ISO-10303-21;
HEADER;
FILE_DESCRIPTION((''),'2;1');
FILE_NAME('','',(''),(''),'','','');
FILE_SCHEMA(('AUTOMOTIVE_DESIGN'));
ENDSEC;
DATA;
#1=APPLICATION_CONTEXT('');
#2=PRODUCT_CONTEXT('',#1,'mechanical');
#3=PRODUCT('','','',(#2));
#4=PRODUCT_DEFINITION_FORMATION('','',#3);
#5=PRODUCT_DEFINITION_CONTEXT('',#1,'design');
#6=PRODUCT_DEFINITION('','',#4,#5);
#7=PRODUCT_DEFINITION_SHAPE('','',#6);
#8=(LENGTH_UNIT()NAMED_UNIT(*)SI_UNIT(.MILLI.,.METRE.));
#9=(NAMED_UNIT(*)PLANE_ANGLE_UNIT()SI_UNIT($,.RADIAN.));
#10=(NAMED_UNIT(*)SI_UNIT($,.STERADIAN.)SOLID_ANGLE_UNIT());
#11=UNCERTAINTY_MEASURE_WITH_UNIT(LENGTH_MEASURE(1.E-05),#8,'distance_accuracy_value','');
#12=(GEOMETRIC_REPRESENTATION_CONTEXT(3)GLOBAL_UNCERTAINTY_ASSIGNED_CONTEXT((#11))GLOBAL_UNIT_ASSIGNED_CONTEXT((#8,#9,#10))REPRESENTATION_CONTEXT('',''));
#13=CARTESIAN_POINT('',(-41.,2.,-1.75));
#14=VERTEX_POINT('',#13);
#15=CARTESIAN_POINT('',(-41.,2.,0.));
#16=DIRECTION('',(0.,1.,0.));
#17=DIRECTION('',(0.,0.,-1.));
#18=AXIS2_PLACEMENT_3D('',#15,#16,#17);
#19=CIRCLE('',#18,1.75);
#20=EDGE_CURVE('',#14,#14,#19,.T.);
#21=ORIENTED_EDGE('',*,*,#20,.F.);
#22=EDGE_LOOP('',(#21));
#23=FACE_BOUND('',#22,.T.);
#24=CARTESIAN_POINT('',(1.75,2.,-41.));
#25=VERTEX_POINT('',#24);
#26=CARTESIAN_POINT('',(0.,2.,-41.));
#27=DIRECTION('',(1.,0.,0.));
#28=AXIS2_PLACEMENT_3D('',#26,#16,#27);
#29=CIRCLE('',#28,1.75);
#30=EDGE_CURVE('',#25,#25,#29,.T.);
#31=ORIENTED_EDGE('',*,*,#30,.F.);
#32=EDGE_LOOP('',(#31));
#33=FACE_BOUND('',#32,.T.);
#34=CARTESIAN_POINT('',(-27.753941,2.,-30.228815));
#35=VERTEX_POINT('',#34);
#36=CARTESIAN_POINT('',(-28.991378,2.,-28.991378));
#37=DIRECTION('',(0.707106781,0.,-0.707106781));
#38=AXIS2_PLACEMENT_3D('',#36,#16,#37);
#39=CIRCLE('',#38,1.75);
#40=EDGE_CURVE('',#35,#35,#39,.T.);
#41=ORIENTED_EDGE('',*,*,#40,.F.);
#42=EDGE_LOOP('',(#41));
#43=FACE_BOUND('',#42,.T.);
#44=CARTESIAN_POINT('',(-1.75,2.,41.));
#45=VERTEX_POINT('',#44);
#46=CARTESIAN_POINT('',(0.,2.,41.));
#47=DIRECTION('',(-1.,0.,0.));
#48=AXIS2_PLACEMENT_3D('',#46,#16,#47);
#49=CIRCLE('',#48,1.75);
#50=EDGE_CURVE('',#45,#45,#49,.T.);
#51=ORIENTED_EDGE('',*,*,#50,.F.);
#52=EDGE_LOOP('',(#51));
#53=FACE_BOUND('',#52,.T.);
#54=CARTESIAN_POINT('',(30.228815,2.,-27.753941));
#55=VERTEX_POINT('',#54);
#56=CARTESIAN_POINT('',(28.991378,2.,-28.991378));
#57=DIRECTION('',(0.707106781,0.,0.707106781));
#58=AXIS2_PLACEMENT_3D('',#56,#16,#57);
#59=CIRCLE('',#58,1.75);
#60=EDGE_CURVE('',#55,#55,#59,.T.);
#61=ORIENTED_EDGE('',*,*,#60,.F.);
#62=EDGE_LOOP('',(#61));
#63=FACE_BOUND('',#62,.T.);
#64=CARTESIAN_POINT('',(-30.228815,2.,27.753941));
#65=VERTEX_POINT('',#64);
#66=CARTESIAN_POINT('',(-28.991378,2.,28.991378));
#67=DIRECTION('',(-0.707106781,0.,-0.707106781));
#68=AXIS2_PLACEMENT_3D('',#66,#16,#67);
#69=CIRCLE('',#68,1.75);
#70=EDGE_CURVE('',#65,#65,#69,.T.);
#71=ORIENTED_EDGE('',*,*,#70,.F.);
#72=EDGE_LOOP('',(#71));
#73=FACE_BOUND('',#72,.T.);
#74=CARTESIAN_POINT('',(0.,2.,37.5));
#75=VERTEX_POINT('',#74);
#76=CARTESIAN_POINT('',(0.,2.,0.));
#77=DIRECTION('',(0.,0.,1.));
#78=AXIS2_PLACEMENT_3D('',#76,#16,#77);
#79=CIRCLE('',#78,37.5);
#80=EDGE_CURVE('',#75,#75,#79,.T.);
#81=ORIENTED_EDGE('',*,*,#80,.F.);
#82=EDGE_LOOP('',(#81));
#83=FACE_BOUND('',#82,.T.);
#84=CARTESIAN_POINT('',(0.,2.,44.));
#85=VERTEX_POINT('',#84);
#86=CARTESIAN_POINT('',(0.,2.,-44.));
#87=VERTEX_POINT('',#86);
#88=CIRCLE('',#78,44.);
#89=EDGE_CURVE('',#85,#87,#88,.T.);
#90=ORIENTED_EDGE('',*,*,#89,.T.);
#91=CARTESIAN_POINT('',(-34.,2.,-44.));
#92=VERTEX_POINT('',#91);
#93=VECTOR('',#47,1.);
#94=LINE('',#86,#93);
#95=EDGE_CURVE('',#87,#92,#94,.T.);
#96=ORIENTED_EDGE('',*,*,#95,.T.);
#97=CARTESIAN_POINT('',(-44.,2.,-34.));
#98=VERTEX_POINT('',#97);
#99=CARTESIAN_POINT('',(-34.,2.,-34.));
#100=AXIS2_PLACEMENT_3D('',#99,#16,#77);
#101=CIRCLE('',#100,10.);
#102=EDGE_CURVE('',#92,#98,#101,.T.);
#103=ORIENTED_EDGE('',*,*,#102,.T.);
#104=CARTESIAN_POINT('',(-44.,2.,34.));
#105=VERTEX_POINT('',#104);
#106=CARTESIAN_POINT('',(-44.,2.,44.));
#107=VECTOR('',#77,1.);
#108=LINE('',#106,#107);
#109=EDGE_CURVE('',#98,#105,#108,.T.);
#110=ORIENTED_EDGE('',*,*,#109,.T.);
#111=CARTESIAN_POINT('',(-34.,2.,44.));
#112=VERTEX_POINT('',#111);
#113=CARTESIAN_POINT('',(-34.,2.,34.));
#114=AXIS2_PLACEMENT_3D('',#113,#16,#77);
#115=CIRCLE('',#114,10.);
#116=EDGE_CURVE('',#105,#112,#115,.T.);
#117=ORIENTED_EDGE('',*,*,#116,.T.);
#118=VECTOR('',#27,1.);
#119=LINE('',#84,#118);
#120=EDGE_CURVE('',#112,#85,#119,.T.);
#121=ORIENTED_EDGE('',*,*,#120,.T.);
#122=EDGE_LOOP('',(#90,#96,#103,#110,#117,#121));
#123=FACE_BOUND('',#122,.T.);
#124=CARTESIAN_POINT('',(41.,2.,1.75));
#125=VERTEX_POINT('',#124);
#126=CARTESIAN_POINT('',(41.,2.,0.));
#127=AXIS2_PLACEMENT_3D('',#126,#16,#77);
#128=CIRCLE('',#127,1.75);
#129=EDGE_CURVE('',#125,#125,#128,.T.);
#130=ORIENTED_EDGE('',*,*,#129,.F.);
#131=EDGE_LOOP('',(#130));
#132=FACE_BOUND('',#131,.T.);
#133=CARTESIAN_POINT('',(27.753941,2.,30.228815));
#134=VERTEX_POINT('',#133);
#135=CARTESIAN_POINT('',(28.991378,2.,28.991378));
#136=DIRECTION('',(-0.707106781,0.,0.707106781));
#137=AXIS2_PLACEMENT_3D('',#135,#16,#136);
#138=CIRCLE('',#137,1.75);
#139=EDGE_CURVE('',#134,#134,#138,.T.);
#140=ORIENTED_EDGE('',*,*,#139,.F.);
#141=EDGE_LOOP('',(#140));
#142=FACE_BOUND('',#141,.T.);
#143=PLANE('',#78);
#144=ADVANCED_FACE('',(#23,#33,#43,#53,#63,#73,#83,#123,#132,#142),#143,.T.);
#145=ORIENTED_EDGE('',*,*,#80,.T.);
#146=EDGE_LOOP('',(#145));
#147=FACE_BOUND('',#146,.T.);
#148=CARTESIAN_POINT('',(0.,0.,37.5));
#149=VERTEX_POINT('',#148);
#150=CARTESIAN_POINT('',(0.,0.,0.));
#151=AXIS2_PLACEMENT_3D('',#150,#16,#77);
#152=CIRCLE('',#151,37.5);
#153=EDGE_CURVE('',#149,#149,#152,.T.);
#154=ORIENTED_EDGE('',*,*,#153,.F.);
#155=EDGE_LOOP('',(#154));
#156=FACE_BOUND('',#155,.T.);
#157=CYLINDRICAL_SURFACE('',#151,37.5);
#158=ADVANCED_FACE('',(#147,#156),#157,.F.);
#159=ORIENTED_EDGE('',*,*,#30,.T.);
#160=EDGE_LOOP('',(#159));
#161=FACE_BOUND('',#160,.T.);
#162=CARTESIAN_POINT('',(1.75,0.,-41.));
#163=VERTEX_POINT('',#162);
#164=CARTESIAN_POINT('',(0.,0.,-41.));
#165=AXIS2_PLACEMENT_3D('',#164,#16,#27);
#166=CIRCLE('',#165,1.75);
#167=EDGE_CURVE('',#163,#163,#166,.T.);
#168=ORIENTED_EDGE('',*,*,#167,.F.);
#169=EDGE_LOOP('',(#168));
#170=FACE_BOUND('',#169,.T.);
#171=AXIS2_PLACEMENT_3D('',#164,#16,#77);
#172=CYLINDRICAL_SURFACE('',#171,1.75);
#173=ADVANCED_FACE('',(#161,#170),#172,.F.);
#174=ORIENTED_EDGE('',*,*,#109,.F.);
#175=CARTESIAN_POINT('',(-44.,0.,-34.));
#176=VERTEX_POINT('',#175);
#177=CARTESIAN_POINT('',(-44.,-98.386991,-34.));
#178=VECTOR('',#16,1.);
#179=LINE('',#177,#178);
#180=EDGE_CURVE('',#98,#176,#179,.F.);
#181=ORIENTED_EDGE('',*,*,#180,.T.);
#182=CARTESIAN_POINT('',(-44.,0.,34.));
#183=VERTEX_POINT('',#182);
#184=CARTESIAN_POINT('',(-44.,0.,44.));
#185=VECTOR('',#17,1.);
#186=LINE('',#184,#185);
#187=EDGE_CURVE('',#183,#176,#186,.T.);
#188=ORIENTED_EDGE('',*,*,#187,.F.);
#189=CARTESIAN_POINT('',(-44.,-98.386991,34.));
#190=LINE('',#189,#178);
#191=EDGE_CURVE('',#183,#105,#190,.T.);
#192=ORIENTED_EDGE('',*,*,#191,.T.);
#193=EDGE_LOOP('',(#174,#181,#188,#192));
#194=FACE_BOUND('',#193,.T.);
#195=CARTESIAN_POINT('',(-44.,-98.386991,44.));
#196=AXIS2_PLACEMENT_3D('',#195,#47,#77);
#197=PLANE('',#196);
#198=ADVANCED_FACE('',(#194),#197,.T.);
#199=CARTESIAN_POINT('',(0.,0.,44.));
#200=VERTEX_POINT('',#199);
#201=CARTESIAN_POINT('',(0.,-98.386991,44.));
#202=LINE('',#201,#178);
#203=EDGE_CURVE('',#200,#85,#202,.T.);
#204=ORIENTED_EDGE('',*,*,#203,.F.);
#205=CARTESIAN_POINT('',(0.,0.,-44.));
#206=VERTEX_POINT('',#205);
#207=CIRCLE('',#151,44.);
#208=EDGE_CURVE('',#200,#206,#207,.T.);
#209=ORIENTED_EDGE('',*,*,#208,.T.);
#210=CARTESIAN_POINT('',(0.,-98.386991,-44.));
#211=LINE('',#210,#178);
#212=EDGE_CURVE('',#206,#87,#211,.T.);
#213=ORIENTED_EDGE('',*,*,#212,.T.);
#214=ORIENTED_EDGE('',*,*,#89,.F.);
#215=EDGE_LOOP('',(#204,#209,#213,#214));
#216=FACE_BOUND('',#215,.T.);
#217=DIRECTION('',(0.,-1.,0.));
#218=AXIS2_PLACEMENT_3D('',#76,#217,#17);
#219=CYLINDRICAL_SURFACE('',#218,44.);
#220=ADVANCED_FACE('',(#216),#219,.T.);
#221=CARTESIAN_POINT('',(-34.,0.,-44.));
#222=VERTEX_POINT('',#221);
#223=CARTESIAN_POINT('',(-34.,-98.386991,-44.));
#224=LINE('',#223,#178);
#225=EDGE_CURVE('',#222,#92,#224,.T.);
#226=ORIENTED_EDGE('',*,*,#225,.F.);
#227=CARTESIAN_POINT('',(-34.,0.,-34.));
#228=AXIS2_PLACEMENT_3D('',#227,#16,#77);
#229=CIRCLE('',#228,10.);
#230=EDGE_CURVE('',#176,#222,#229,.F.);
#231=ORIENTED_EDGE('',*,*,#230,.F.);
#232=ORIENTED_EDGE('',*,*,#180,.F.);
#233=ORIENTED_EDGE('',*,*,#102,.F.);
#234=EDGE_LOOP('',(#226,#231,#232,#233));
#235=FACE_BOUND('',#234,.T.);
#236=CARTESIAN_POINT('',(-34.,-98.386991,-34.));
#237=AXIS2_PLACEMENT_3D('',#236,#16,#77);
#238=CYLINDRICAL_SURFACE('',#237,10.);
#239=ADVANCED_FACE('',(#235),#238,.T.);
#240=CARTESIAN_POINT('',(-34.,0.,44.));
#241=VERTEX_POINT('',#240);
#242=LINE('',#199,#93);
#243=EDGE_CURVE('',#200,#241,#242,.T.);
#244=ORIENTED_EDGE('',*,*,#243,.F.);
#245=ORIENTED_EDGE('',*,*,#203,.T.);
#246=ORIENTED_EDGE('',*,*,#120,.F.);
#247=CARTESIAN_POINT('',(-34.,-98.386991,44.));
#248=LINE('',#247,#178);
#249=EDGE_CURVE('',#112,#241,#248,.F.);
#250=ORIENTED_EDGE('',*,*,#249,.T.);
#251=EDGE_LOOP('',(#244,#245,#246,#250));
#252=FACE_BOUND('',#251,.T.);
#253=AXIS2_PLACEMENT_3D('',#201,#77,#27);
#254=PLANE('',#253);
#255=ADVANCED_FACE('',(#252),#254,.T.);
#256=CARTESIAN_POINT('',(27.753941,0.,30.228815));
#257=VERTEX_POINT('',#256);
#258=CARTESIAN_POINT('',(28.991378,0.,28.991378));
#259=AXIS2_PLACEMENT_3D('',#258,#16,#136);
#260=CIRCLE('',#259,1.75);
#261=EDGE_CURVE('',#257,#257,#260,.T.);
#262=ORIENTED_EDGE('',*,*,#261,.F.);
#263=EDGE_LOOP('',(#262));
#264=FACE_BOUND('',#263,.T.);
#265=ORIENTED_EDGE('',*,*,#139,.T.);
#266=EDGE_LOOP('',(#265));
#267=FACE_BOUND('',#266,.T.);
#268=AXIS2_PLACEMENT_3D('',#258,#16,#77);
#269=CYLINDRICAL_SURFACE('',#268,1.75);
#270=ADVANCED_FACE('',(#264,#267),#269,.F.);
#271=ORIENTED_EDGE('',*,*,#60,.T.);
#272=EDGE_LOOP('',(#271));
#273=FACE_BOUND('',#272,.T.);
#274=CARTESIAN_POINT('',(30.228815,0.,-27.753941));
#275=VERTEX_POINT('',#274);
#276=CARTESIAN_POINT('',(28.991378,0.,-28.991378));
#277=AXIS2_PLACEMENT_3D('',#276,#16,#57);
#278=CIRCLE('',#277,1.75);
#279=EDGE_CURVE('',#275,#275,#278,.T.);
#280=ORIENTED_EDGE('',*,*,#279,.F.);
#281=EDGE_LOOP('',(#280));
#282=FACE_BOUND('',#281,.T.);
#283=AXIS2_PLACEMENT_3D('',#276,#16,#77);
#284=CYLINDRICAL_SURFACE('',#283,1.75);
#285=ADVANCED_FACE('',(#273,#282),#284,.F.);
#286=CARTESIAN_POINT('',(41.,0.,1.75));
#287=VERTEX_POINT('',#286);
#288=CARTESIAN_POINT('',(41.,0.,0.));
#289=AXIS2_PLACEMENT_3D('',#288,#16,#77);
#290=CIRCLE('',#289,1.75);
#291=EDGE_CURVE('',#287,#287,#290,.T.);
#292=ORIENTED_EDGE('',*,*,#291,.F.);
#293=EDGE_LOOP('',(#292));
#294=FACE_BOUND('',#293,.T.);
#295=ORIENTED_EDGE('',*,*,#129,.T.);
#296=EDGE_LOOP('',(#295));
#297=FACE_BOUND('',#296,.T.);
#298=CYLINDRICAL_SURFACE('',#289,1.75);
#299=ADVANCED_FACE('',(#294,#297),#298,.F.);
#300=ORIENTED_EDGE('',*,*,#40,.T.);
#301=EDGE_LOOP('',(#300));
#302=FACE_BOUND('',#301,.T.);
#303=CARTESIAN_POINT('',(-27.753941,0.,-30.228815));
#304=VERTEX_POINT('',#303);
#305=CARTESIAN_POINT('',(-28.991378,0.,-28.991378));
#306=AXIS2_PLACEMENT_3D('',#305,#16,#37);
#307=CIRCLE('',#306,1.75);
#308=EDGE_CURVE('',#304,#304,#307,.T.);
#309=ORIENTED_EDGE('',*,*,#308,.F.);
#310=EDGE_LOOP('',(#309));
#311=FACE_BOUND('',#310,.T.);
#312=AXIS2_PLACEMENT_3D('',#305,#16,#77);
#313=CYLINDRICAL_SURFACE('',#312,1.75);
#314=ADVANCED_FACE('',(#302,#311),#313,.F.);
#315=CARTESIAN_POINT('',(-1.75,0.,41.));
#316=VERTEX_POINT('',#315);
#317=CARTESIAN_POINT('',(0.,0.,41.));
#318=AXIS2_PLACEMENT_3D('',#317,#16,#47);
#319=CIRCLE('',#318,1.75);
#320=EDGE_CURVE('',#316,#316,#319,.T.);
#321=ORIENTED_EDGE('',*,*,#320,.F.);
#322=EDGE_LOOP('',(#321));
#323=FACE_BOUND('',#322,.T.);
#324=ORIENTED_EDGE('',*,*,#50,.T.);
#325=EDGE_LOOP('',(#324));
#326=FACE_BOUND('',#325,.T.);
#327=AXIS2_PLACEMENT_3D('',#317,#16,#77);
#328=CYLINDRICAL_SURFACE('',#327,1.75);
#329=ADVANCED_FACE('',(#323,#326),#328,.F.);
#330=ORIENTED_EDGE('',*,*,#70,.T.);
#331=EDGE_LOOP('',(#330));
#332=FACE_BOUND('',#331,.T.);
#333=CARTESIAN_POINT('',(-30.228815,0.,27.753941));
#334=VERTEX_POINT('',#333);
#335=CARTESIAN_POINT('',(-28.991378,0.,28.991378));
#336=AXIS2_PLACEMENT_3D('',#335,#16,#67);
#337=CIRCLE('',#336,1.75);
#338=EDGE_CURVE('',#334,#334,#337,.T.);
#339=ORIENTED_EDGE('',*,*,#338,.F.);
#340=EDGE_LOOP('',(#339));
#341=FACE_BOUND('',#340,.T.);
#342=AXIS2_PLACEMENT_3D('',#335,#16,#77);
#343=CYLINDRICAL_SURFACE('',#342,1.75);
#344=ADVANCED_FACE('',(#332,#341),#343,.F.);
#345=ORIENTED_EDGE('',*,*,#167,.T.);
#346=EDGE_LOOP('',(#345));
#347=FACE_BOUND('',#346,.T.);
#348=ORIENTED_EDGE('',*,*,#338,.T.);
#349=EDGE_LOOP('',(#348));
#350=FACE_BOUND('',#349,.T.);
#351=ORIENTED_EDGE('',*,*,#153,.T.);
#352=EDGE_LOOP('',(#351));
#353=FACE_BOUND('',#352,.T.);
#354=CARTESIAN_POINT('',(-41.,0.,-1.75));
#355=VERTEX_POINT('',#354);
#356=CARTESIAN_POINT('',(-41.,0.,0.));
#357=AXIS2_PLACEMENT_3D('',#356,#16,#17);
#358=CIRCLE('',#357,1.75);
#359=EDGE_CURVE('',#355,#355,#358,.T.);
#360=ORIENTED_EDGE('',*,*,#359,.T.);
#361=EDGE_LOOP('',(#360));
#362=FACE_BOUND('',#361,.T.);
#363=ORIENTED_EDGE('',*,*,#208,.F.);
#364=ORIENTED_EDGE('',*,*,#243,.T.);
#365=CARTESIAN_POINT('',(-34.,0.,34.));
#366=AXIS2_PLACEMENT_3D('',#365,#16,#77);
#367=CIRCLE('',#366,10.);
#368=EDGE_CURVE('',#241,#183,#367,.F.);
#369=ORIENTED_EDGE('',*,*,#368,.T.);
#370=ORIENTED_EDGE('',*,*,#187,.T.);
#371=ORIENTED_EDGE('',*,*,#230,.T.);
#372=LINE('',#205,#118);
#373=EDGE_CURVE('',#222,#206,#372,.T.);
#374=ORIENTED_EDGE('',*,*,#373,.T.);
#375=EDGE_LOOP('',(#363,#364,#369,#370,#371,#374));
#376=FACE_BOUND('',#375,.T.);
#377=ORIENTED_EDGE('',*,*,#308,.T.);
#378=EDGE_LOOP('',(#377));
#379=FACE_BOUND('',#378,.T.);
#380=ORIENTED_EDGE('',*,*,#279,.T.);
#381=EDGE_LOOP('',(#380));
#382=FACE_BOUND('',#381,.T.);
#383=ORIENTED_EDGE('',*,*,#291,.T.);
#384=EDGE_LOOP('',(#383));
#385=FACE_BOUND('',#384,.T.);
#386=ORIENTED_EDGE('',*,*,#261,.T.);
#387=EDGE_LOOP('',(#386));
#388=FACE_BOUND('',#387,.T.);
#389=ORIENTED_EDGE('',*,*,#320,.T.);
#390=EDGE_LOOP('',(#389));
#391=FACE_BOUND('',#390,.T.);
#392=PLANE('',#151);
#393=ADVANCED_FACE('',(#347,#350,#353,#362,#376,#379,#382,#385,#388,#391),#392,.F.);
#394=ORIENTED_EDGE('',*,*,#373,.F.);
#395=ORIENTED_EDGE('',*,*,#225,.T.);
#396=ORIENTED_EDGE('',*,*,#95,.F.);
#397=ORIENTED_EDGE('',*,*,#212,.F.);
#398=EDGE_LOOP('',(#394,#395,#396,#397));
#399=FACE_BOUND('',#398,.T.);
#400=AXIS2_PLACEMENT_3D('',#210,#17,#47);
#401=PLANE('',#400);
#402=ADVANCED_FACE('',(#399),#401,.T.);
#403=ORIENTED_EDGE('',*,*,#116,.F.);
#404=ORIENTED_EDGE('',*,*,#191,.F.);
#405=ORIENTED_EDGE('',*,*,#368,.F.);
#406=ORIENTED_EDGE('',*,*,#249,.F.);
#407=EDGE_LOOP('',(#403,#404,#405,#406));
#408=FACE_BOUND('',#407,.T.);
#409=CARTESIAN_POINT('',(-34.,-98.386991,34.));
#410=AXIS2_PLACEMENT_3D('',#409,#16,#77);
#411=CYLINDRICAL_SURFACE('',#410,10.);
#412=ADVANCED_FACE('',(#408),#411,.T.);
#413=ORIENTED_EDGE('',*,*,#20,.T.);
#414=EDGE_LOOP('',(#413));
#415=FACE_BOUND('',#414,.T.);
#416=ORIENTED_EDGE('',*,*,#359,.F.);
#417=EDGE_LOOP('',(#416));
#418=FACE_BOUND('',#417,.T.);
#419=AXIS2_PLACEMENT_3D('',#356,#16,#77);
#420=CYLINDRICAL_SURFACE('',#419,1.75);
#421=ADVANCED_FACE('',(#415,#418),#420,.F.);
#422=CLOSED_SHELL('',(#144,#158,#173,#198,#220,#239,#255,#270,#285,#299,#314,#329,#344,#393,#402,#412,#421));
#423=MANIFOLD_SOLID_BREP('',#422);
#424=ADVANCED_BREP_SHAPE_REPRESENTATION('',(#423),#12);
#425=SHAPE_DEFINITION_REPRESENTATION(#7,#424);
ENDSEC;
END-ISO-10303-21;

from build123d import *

# Parameters (mm, degrees)
SKETCH1_R           = 44
BOSS_EXTRUDE1_DEPTH = 2
SKETCH2_W           = 44
SKETCH2_H           = 88
BOSS_EXTRUDE2_DEPTH = 2
SKETCH3_R           = 1.75
CUT_EXTRUDE1_DEPTH  = 3
CIRPATTERN1_COUNT   = 8
SKETCH4_R           = 37.5
CUT_EXTRUDE2_DEPTH  = 3
FILLET1_R           = 10


with BuildPart() as part:
    # Sketch1 → Boss-Extrude1 (new body)
    with BuildSketch(Plane(origin=(0, 0, 0), x_dir=(1, 0, 0), z_dir=(0, 1, 0))):
        Circle(SKETCH1_R)
    extrude(amount=BOSS_EXTRUDE1_DEPTH)

    # Sketch2 → Boss-Extrude2 (add)
    with BuildSketch(Plane(origin=(0, 2, 0), x_dir=(1, 0, 0), z_dir=(0, 1, 0))):
        with Locations((-22, 0)):
            Rectangle(SKETCH2_W, SKETCH2_H)
    extrude(amount=-BOSS_EXTRUDE2_DEPTH)

    # Sketch3 → Cut-Extrude1 (cut, through all)
    with BuildSketch(Plane(origin=(0, 2, 0), x_dir=(1, 0, 0), z_dir=(0, 1, 0))):
        with Locations((41, 0)):
            Circle(SKETCH3_R)
    cut_extrude1 = extrude(amount=-CUT_EXTRUDE1_DEPTH, mode=Mode.SUBTRACT)

    # CirPattern1: Cut-Extrude1 ×8 about axis
    cirpattern1_axis = Axis((0, 0, 0), (0, 1, 0))
    for i in range(1, CIRPATTERN1_COUNT):
        add(cut_extrude1.rotate(cirpattern1_axis, i * 360 / CIRPATTERN1_COUNT), mode=Mode.SUBTRACT)

    # Sketch4 → Cut-Extrude2 (cut, through all)
    with BuildSketch(Plane(origin=(0, 2, 0), x_dir=(1, 0, 0), z_dir=(0, 1, 0))):
        Circle(SKETCH4_R)
    extrude(amount=-CUT_EXTRUDE2_DEPTH, mode=Mode.SUBTRACT)

    # Fillet1
    fillet1_edges = [part.edges().sort_by_distance(p)[0] for p in [
        (-44, 1, 44),
        (-44, 1, -44),
    ]]
    fillet(fillet1_edges, radius=FILLET1_R)


solid = part.part
